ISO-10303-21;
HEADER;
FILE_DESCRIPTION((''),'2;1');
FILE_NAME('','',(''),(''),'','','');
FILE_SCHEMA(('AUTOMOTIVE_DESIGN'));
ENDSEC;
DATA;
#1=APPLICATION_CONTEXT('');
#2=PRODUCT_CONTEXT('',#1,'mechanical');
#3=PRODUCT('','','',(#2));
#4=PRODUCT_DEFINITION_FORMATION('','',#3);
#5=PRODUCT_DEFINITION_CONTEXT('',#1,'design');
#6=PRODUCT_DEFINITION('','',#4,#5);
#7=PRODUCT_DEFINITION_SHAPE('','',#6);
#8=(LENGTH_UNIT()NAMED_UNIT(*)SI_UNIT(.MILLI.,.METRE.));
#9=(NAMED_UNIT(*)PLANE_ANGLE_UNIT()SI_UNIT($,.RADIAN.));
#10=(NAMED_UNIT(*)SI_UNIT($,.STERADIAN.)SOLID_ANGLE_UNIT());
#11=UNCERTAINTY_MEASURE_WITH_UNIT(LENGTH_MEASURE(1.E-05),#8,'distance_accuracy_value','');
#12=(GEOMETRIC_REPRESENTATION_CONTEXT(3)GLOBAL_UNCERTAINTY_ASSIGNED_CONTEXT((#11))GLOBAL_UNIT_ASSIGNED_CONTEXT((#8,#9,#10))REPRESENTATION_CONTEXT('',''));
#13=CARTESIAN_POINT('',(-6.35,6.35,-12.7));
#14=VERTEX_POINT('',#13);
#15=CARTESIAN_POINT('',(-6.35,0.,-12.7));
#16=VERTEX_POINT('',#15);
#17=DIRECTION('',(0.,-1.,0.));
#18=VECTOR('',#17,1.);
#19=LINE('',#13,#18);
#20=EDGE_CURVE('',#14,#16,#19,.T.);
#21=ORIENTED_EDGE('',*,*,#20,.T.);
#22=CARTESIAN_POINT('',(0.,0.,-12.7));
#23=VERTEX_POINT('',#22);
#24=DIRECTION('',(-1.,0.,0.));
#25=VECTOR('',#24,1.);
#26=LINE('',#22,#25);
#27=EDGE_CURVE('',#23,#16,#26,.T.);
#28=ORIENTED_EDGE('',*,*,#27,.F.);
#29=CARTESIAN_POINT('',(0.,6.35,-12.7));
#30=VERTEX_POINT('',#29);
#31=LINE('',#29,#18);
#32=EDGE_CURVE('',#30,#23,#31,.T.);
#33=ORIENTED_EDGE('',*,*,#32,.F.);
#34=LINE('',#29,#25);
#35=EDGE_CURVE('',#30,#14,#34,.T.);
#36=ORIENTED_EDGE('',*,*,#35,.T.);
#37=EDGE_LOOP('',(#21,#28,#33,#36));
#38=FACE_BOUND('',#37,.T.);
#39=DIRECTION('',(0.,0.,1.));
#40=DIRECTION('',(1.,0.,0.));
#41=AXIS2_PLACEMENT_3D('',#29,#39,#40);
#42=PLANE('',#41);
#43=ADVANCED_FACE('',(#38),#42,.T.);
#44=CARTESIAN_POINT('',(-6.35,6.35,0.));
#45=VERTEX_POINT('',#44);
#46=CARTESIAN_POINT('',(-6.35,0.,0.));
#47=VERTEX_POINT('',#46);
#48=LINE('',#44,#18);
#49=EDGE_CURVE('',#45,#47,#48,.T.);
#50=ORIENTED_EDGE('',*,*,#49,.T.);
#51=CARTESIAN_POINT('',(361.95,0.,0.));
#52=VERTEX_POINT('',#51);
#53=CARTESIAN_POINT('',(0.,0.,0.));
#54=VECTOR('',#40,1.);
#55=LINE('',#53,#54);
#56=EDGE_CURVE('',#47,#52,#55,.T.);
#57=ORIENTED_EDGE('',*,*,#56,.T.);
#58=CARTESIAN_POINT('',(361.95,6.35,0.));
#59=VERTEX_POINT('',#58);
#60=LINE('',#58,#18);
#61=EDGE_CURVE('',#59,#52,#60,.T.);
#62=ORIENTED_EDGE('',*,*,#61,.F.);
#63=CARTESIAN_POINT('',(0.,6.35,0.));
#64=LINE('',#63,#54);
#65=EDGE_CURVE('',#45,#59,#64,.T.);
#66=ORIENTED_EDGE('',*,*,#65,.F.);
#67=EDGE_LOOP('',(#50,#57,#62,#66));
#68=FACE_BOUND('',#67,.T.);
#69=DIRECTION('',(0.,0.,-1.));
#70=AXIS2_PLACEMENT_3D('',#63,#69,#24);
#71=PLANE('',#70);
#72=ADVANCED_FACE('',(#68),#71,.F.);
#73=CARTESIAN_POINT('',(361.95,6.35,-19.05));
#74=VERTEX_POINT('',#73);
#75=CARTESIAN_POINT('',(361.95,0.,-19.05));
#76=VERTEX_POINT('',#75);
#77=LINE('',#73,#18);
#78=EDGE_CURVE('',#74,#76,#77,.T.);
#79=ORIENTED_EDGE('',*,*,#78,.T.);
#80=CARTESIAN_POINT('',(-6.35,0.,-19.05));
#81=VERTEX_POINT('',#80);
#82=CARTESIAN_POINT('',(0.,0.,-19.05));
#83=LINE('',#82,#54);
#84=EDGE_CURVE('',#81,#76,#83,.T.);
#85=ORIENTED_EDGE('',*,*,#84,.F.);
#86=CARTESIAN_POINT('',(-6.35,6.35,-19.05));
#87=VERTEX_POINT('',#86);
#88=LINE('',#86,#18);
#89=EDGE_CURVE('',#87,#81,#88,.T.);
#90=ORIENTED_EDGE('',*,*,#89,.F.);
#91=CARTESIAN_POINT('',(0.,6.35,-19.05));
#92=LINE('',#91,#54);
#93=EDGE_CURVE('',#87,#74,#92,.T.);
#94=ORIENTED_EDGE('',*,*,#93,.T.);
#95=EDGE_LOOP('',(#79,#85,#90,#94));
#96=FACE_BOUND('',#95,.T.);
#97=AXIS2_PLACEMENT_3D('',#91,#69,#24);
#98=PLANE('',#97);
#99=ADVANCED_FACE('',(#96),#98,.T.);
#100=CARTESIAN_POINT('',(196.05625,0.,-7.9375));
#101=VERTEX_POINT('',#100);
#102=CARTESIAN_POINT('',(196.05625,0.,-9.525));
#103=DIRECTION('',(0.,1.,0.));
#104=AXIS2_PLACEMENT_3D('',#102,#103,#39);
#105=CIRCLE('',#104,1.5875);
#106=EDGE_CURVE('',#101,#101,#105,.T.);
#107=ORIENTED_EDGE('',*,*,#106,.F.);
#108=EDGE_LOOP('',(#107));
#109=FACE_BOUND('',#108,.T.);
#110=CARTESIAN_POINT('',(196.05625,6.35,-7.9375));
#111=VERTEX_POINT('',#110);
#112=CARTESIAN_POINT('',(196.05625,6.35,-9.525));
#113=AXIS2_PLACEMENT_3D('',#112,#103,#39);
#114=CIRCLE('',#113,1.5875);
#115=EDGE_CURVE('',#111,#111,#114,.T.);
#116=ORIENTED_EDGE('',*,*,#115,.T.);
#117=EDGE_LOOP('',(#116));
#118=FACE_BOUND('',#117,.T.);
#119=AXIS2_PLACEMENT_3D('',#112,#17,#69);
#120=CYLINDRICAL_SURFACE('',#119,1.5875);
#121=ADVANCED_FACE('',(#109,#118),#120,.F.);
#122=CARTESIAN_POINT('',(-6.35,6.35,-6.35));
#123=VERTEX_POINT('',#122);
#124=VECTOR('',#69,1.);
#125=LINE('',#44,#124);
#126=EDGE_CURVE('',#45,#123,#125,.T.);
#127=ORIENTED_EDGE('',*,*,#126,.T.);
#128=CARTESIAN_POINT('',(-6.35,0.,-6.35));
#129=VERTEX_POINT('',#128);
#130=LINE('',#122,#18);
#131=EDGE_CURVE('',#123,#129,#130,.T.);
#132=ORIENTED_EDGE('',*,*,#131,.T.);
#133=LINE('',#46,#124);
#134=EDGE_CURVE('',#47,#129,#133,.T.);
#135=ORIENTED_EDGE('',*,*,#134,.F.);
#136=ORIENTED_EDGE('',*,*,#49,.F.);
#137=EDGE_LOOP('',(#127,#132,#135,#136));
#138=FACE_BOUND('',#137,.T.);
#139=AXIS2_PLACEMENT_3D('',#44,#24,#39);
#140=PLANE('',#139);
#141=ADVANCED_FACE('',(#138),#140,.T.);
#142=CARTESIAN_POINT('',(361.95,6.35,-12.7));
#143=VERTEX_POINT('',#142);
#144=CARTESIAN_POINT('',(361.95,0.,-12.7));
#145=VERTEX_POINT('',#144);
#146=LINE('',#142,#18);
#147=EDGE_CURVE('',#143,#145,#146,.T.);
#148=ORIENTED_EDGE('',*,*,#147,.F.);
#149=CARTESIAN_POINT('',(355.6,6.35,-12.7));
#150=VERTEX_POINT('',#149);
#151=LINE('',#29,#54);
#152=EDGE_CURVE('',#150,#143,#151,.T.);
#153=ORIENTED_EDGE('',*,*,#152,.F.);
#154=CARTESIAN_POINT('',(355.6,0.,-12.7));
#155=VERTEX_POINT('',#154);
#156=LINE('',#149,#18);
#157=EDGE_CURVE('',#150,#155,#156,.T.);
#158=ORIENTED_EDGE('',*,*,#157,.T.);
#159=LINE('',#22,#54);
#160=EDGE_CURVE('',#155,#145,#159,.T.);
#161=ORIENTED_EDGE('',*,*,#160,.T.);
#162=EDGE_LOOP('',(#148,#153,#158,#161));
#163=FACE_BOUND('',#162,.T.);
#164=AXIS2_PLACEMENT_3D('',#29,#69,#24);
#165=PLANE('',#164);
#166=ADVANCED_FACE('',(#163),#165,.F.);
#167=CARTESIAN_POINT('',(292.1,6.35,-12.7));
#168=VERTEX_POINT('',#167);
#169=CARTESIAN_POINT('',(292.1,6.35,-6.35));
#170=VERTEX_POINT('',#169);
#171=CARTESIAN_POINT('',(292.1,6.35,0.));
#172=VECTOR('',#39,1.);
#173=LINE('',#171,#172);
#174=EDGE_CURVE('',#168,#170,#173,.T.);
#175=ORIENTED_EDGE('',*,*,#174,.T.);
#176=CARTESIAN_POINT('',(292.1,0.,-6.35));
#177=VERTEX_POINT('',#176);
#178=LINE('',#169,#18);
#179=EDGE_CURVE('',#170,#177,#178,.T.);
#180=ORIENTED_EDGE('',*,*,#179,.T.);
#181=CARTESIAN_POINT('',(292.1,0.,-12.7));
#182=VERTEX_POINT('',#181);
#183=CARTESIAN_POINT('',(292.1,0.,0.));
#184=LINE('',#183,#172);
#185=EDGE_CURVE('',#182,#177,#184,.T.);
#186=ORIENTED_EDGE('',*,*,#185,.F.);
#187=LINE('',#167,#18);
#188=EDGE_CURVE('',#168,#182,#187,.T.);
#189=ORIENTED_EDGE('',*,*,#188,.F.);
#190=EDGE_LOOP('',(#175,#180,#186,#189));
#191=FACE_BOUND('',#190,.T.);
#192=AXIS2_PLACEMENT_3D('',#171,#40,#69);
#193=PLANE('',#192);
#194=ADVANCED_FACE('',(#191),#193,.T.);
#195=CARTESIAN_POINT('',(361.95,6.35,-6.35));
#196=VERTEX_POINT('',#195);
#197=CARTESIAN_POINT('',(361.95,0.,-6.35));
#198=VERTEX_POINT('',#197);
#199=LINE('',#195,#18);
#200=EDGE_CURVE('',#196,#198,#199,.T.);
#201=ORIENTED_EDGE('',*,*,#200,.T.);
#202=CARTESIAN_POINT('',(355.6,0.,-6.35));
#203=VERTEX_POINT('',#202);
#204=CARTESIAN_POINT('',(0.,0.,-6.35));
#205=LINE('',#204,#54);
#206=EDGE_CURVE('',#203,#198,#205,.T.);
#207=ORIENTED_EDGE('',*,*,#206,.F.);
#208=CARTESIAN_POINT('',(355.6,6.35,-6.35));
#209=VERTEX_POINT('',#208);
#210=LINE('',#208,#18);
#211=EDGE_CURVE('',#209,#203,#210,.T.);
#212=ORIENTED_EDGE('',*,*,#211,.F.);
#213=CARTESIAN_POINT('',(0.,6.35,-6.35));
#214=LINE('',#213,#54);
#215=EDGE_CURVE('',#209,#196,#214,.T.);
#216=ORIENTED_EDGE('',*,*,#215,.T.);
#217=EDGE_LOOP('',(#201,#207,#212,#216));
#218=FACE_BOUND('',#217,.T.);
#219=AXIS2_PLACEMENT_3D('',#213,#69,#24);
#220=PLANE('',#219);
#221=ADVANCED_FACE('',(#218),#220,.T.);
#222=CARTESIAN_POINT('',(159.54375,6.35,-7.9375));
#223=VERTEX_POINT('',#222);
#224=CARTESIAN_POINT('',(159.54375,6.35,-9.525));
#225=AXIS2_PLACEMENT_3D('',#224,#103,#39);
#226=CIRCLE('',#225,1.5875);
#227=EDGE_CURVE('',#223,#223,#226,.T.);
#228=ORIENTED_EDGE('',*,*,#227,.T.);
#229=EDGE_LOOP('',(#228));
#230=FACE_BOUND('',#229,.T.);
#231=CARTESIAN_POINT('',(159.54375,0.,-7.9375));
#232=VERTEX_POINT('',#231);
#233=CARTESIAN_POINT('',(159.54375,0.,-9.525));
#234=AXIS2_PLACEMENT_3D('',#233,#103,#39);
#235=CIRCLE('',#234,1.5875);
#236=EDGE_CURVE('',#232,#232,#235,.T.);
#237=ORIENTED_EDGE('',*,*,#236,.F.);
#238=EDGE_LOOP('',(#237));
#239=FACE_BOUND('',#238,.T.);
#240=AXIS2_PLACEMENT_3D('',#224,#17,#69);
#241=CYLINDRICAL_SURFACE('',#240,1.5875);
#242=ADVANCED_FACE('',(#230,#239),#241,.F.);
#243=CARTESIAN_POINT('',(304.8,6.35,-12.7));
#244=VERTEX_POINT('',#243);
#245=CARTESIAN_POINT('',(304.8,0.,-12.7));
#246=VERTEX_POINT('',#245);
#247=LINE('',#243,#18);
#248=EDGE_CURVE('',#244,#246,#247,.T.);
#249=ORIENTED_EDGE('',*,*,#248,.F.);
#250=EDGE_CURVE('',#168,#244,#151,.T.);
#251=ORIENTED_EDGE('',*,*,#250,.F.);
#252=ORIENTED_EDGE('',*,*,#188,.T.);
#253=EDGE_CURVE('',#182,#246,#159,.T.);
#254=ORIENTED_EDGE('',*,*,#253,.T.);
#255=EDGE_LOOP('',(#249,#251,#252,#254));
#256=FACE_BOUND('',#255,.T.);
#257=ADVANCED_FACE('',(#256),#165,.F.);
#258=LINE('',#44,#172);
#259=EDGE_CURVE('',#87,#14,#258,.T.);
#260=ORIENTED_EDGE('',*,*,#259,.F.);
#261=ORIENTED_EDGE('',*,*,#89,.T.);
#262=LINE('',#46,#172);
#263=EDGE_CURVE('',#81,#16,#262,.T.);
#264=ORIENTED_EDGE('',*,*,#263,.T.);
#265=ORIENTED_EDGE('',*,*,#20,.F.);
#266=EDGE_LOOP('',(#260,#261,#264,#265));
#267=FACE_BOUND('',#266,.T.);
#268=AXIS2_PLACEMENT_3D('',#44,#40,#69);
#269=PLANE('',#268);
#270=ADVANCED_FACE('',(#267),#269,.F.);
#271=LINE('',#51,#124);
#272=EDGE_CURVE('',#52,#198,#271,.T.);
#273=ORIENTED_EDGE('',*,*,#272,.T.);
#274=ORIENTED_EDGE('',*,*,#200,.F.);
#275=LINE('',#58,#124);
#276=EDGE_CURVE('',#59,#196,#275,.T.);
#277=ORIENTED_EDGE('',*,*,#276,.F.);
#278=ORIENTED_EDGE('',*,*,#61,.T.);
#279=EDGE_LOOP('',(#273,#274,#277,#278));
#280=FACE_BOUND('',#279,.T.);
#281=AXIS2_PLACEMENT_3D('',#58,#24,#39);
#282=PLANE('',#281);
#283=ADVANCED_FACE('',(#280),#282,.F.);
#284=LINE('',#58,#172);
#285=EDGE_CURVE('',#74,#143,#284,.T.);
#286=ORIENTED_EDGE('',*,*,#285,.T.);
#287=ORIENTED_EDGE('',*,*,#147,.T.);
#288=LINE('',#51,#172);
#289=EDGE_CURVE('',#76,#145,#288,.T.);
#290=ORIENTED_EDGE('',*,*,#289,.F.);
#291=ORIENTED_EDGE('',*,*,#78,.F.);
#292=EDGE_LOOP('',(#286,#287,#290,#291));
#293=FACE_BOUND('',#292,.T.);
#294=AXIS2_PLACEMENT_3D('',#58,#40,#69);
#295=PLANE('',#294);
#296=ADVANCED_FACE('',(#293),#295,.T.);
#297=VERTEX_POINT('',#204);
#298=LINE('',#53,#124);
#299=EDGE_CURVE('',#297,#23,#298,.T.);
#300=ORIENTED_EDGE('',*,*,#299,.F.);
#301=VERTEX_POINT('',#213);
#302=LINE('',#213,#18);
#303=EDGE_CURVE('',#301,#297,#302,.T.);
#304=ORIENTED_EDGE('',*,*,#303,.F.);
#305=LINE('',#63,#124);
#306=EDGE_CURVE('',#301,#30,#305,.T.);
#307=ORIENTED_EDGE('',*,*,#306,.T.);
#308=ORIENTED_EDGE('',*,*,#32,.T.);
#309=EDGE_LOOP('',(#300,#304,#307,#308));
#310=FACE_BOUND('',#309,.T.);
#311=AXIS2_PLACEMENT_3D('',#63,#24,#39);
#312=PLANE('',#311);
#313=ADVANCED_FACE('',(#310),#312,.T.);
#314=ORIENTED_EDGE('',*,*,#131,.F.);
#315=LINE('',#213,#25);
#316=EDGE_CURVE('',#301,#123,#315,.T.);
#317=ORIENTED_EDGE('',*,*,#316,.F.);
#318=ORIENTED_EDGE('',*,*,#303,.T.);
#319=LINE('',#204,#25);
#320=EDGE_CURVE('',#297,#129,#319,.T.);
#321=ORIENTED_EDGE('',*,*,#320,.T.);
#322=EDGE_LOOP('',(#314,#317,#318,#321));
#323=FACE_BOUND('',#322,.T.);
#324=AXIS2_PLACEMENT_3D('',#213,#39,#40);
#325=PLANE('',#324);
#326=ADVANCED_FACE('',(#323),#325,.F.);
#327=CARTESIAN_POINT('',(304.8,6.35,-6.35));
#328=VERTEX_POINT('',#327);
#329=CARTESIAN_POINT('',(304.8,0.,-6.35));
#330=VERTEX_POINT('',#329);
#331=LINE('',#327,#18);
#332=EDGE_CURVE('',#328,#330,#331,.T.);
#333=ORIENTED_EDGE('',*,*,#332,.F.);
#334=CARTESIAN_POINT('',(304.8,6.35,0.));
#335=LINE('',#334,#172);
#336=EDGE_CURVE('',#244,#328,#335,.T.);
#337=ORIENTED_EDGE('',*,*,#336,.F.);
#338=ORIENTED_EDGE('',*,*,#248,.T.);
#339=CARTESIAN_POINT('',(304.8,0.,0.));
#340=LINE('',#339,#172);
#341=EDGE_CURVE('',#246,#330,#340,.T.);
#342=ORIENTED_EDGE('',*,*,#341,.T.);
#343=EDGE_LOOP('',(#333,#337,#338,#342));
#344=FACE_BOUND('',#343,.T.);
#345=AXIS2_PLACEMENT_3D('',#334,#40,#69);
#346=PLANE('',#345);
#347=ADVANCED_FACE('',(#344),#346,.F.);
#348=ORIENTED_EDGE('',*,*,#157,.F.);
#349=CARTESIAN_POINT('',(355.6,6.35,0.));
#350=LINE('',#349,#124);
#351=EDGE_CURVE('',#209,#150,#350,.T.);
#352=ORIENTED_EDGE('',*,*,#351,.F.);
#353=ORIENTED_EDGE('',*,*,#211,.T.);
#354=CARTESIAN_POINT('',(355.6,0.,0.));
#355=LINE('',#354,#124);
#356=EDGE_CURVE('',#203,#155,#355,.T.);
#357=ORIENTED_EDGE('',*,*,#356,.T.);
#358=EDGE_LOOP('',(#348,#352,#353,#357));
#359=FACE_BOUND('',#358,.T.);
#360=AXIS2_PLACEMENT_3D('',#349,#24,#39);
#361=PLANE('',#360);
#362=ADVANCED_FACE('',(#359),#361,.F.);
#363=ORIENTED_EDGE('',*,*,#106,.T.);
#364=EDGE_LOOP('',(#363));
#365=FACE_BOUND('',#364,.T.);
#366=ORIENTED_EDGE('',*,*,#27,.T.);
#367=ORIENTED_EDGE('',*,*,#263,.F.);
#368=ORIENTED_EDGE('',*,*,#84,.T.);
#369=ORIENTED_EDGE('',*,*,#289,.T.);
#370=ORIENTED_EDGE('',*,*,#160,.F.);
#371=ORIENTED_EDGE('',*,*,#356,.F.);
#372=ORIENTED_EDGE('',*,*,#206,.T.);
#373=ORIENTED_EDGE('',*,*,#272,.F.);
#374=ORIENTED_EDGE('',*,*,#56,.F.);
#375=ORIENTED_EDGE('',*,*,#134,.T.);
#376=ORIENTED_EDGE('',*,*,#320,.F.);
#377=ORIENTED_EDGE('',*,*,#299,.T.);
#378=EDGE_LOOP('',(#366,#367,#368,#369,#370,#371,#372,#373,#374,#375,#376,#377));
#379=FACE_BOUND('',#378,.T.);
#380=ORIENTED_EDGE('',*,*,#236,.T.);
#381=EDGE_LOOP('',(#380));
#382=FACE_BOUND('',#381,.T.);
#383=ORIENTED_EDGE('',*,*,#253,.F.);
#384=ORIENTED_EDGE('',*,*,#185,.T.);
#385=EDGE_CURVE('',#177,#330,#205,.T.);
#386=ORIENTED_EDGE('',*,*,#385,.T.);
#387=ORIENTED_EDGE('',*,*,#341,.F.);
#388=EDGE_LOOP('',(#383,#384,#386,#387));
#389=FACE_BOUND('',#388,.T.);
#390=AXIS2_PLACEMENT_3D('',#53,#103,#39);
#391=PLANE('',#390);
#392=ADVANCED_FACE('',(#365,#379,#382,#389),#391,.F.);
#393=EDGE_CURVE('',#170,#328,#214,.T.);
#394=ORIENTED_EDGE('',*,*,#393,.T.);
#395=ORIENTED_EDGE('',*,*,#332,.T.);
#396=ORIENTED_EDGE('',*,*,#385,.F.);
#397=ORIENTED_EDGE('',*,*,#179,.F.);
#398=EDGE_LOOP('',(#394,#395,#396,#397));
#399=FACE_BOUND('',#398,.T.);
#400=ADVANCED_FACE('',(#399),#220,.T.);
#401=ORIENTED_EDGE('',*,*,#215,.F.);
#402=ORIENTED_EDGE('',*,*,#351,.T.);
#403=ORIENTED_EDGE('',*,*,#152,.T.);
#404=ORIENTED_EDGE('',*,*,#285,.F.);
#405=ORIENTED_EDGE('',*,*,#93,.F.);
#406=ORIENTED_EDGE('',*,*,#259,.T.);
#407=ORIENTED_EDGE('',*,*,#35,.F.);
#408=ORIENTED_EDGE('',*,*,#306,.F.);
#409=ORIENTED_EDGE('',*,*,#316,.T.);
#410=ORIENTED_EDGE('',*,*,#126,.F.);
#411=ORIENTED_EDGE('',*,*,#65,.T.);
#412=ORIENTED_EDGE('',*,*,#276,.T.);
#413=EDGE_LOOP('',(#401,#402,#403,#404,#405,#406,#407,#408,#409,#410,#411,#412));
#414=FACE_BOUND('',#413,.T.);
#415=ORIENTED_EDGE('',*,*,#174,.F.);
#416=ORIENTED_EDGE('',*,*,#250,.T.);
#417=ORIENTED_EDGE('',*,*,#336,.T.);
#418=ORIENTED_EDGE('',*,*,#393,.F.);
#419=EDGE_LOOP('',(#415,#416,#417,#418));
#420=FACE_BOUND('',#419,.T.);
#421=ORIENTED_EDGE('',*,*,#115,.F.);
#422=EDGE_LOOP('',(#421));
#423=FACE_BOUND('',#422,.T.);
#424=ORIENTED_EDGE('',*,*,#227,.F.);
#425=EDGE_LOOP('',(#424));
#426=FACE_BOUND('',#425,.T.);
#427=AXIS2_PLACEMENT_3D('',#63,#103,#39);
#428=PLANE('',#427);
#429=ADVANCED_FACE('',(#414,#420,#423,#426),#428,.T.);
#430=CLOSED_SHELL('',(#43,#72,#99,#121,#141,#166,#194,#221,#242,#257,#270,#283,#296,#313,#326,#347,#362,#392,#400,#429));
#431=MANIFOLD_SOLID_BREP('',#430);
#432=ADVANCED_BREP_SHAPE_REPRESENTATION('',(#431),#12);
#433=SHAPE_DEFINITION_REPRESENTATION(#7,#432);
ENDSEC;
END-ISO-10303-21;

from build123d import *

# Parameters (mm, degrees)
SKETCH1_R           = 1.5875
SKETCH1_W           = 12.7
SKETCH1_H           = 6.35
SKETCH1_W_2         = 6.35
BOSS_EXTRUDE1_DEPTH = 6.35


with BuildPart() as part:
    # Sketch1 → Boss-Extrude1 (new body)
    # profile 1 of 6: a face of its own
    with BuildSketch(Plane(origin=(0, 0, 0), x_dir=(1, 0, 0), z_dir=(0, 1, 0))):
        Polygon((355.6, 19.05), (177.8, 19.05), (177.8, 0), (355.6, 0), (355.6, 6.35), (355.6, 12.7), align=None)
        with Locations(Location((196.05625, 9.525, 0), (0, 0, 270))):
            Circle(SKETCH1_R, mode=Mode.SUBTRACT)
        with Locations((298.45, 9.525)):
            Rectangle(SKETCH1_W, SKETCH1_H, mode=Mode.SUBTRACT)
    # profile 2 of 6: a face of its own
    with BuildSketch(Plane(origin=(0, 0, 0), x_dir=(1, 0, 0), z_dir=(0, 1, 0))):
        Polygon((177.8, 0), (177.8, 19.05), (0, 19.05), (0, 12.7), (0, 6.35), (0, 0), align=None)
        with Locations(Location((159.54375, 9.525, 0), (0, 0, 270))):
            Circle(SKETCH1_R, mode=Mode.SUBTRACT)
    # profile 3 of 6: a face of its own
    with BuildSketch(Plane(origin=(0, 0, 0), x_dir=(1, 0, 0), z_dir=(0, 1, 0))):
        with Locations((-3.175, 15.875)):
            Rectangle(SKETCH1_W_2, SKETCH1_H)
    # profile 4 of 6: a face of its own
    with BuildSketch(Plane(origin=(0, 0, 0), x_dir=(1, 0, 0), z_dir=(0, 1, 0))):
        with Locations((358.775, 15.875)):
            Rectangle(SKETCH1_W_2, SKETCH1_H)
    # profile 5 of 6: a face of its own
    with BuildSketch(Plane(origin=(0, 0, 0), x_dir=(1, 0, 0), z_dir=(0, 1, 0))):
        with Locations((-3.175, 3.175)):
            Rectangle(SKETCH1_W_2, SKETCH1_H)
    # profile 6 of 6: a face of its own
    with BuildSketch(Plane(origin=(0, 0, 0), x_dir=(1, 0, 0), z_dir=(0, 1, 0))):
        with Locations((358.775, 3.175)):
            Rectangle(SKETCH1_W_2, SKETCH1_H)
    extrude(amount=BOSS_EXTRUDE1_DEPTH)


solid = part.part
